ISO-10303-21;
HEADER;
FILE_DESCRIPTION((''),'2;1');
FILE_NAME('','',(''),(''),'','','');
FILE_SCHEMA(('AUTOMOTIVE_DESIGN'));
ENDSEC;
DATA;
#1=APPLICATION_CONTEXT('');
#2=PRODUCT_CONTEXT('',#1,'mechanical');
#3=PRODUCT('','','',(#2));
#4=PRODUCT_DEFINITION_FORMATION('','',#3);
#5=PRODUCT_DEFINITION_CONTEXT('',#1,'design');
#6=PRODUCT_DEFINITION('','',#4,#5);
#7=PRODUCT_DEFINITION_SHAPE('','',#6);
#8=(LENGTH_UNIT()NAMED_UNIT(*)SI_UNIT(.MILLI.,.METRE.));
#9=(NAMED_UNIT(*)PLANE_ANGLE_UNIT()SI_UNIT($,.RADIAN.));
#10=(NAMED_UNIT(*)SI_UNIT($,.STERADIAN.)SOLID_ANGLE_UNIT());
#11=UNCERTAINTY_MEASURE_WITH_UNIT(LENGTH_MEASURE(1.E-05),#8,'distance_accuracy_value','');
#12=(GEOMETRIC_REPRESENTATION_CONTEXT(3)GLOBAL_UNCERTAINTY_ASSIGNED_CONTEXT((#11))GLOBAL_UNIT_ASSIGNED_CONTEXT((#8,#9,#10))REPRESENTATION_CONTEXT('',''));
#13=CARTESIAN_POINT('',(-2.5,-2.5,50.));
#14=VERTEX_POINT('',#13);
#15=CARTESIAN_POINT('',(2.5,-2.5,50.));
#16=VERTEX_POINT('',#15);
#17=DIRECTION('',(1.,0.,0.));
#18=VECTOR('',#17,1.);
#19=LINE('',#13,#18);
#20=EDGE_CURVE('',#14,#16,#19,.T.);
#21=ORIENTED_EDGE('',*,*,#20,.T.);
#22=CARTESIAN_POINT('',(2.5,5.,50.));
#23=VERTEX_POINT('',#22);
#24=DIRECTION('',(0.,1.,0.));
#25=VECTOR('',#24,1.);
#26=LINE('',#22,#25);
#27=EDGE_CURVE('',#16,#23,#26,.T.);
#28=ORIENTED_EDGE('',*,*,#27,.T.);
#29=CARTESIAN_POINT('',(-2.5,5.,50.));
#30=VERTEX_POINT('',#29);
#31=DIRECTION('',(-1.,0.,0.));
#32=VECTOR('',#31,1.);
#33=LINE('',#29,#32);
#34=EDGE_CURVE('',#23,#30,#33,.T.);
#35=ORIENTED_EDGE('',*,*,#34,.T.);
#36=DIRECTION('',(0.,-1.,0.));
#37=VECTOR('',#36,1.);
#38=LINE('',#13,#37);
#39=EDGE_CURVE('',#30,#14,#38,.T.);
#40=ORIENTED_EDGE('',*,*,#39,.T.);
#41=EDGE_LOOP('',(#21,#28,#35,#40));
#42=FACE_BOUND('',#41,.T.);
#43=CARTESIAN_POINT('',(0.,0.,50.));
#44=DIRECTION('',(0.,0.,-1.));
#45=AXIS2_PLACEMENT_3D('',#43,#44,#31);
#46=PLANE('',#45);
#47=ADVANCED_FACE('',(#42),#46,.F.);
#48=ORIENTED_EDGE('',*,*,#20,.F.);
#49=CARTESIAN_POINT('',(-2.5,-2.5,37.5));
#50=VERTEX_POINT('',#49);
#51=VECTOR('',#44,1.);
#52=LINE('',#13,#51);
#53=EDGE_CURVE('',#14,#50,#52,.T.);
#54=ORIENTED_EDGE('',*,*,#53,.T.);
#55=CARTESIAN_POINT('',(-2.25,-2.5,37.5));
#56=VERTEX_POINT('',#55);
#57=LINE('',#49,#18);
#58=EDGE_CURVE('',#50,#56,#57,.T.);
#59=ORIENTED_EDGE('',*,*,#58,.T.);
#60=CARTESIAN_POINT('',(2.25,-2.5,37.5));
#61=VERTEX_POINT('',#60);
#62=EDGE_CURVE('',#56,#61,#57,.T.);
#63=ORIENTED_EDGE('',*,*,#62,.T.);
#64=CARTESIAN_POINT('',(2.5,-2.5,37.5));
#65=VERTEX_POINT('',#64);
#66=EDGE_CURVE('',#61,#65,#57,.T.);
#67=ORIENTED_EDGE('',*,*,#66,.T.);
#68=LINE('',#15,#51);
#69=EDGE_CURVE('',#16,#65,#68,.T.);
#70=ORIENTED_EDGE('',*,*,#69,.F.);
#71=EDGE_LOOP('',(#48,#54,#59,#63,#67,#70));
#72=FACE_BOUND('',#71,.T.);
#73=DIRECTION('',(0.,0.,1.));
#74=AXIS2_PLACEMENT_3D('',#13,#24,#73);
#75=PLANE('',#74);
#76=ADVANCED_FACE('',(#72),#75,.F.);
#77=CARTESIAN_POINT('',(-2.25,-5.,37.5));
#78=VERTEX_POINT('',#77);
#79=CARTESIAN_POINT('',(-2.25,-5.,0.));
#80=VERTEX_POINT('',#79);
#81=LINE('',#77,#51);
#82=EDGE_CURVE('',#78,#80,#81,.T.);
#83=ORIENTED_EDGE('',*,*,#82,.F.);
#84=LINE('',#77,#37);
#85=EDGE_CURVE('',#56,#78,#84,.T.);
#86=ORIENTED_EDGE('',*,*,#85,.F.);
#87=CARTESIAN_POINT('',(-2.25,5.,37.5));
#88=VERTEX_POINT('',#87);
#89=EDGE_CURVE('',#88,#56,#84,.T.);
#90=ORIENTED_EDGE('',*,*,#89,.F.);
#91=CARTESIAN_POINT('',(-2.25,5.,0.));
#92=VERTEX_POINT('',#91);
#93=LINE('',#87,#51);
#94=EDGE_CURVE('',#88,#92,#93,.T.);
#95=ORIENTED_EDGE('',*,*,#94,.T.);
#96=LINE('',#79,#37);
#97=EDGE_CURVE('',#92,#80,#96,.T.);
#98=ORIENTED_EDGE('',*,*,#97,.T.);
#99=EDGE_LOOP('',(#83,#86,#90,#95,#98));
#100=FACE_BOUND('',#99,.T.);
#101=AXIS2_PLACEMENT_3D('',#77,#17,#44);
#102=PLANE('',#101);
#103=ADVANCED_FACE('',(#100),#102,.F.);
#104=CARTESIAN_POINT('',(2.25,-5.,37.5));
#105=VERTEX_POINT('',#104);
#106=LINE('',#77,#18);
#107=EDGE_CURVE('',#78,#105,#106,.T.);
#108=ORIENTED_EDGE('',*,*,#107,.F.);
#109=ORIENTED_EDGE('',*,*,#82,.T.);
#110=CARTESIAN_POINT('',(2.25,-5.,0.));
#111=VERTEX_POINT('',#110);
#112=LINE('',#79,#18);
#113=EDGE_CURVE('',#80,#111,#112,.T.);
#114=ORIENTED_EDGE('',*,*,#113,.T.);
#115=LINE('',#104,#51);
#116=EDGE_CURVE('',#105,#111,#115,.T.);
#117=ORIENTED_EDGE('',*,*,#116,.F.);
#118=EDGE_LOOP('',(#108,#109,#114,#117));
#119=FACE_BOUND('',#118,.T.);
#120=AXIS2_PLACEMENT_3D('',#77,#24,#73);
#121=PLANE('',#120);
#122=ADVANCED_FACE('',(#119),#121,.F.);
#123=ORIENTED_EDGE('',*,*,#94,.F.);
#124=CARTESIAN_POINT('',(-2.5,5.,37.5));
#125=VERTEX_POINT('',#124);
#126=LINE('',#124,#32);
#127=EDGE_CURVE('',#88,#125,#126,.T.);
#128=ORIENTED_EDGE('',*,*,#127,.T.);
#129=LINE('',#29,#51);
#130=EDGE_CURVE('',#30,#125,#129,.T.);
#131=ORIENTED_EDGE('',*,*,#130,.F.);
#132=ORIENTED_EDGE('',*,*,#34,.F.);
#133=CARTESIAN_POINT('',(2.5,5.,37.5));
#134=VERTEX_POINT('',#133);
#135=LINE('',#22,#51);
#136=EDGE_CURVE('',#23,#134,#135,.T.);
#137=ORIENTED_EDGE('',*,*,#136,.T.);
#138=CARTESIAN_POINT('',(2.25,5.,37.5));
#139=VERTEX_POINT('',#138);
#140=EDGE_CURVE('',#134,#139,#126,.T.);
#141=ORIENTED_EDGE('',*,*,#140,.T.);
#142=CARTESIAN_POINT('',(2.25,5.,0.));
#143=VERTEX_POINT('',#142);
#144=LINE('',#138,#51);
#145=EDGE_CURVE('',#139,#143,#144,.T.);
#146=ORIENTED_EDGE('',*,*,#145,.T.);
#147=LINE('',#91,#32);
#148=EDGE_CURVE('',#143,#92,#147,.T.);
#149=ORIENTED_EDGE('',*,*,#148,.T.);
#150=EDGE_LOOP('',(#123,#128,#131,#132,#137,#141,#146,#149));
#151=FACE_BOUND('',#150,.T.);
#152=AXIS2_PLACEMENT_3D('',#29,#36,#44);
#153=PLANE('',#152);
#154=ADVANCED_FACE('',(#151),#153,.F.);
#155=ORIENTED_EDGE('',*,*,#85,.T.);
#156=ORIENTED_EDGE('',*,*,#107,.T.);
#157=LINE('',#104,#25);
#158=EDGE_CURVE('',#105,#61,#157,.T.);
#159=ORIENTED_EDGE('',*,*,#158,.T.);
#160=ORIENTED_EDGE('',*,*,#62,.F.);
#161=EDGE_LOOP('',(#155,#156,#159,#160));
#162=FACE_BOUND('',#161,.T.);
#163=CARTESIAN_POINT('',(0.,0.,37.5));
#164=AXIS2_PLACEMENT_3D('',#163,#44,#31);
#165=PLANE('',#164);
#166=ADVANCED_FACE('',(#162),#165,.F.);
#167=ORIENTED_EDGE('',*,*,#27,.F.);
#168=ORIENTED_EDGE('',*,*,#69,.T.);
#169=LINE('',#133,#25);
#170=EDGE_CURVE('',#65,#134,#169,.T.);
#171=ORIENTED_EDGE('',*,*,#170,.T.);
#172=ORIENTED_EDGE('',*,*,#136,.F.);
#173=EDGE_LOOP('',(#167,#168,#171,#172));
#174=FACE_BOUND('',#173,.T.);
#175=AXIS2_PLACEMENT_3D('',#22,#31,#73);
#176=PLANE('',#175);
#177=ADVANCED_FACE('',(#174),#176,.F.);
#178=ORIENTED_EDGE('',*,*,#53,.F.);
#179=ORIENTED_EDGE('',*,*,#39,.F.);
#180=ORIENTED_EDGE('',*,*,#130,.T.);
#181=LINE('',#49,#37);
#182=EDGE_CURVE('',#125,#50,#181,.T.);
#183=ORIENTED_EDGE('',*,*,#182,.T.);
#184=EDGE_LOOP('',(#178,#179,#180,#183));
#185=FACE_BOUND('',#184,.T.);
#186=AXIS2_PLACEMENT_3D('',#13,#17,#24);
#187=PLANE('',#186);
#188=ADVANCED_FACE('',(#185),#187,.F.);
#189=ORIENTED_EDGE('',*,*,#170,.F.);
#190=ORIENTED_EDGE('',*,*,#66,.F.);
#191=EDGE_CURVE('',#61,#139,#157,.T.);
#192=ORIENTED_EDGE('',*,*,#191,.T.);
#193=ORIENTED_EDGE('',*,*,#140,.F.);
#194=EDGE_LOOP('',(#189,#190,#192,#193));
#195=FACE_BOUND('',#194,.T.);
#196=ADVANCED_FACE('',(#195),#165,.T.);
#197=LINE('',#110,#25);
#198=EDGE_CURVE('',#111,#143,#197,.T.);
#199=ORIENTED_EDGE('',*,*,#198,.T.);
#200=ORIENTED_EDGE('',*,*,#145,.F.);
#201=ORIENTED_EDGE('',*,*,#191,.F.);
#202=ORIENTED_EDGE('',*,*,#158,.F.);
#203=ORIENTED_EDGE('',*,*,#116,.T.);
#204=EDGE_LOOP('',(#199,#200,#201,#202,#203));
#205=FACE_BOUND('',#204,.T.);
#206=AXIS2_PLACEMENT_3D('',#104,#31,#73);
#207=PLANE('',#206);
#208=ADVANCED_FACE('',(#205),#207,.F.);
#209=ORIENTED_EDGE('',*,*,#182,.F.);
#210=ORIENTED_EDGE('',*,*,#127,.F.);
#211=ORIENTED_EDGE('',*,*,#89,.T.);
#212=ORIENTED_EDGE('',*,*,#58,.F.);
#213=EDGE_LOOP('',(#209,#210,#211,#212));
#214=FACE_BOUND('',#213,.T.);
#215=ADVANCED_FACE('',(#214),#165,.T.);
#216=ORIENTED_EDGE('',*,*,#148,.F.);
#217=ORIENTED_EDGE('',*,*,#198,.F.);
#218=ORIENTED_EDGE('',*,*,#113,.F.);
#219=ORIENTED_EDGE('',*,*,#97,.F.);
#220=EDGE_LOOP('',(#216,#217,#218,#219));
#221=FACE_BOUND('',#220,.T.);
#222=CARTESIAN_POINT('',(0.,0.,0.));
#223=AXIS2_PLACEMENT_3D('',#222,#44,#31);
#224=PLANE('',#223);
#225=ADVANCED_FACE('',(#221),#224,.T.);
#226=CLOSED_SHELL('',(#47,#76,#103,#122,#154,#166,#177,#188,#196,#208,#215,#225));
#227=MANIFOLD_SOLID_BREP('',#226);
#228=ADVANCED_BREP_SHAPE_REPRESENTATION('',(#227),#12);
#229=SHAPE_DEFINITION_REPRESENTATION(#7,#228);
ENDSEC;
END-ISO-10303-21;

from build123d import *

# Parameters (mm, degrees)
SKETCH2_W           = 5
SKETCH2_H           = 7.5
BOSS_EXTRUDE2_DEPTH = 12.5
SKETCH1_W           = 4.5
SKETCH1_H           = 10
BOSS_EXTRUDE4_DEPTH = 37.5


with BuildPart() as part:
    # Sketch2 → Boss-Extrude2 (new body)
    with BuildSketch(Plane.XY.offset(37.5)):
        with Locations((0, 1.25)):
            Rectangle(SKETCH2_W, SKETCH2_H)
    extrude(amount=BOSS_EXTRUDE2_DEPTH)

    # Sketch1 → Boss-Extrude4 (add)
    with BuildSketch(Plane.XY):
        Rectangle(SKETCH1_W, SKETCH1_H)
    extrude(amount=BOSS_EXTRUDE4_DEPTH)


solid = part.part
